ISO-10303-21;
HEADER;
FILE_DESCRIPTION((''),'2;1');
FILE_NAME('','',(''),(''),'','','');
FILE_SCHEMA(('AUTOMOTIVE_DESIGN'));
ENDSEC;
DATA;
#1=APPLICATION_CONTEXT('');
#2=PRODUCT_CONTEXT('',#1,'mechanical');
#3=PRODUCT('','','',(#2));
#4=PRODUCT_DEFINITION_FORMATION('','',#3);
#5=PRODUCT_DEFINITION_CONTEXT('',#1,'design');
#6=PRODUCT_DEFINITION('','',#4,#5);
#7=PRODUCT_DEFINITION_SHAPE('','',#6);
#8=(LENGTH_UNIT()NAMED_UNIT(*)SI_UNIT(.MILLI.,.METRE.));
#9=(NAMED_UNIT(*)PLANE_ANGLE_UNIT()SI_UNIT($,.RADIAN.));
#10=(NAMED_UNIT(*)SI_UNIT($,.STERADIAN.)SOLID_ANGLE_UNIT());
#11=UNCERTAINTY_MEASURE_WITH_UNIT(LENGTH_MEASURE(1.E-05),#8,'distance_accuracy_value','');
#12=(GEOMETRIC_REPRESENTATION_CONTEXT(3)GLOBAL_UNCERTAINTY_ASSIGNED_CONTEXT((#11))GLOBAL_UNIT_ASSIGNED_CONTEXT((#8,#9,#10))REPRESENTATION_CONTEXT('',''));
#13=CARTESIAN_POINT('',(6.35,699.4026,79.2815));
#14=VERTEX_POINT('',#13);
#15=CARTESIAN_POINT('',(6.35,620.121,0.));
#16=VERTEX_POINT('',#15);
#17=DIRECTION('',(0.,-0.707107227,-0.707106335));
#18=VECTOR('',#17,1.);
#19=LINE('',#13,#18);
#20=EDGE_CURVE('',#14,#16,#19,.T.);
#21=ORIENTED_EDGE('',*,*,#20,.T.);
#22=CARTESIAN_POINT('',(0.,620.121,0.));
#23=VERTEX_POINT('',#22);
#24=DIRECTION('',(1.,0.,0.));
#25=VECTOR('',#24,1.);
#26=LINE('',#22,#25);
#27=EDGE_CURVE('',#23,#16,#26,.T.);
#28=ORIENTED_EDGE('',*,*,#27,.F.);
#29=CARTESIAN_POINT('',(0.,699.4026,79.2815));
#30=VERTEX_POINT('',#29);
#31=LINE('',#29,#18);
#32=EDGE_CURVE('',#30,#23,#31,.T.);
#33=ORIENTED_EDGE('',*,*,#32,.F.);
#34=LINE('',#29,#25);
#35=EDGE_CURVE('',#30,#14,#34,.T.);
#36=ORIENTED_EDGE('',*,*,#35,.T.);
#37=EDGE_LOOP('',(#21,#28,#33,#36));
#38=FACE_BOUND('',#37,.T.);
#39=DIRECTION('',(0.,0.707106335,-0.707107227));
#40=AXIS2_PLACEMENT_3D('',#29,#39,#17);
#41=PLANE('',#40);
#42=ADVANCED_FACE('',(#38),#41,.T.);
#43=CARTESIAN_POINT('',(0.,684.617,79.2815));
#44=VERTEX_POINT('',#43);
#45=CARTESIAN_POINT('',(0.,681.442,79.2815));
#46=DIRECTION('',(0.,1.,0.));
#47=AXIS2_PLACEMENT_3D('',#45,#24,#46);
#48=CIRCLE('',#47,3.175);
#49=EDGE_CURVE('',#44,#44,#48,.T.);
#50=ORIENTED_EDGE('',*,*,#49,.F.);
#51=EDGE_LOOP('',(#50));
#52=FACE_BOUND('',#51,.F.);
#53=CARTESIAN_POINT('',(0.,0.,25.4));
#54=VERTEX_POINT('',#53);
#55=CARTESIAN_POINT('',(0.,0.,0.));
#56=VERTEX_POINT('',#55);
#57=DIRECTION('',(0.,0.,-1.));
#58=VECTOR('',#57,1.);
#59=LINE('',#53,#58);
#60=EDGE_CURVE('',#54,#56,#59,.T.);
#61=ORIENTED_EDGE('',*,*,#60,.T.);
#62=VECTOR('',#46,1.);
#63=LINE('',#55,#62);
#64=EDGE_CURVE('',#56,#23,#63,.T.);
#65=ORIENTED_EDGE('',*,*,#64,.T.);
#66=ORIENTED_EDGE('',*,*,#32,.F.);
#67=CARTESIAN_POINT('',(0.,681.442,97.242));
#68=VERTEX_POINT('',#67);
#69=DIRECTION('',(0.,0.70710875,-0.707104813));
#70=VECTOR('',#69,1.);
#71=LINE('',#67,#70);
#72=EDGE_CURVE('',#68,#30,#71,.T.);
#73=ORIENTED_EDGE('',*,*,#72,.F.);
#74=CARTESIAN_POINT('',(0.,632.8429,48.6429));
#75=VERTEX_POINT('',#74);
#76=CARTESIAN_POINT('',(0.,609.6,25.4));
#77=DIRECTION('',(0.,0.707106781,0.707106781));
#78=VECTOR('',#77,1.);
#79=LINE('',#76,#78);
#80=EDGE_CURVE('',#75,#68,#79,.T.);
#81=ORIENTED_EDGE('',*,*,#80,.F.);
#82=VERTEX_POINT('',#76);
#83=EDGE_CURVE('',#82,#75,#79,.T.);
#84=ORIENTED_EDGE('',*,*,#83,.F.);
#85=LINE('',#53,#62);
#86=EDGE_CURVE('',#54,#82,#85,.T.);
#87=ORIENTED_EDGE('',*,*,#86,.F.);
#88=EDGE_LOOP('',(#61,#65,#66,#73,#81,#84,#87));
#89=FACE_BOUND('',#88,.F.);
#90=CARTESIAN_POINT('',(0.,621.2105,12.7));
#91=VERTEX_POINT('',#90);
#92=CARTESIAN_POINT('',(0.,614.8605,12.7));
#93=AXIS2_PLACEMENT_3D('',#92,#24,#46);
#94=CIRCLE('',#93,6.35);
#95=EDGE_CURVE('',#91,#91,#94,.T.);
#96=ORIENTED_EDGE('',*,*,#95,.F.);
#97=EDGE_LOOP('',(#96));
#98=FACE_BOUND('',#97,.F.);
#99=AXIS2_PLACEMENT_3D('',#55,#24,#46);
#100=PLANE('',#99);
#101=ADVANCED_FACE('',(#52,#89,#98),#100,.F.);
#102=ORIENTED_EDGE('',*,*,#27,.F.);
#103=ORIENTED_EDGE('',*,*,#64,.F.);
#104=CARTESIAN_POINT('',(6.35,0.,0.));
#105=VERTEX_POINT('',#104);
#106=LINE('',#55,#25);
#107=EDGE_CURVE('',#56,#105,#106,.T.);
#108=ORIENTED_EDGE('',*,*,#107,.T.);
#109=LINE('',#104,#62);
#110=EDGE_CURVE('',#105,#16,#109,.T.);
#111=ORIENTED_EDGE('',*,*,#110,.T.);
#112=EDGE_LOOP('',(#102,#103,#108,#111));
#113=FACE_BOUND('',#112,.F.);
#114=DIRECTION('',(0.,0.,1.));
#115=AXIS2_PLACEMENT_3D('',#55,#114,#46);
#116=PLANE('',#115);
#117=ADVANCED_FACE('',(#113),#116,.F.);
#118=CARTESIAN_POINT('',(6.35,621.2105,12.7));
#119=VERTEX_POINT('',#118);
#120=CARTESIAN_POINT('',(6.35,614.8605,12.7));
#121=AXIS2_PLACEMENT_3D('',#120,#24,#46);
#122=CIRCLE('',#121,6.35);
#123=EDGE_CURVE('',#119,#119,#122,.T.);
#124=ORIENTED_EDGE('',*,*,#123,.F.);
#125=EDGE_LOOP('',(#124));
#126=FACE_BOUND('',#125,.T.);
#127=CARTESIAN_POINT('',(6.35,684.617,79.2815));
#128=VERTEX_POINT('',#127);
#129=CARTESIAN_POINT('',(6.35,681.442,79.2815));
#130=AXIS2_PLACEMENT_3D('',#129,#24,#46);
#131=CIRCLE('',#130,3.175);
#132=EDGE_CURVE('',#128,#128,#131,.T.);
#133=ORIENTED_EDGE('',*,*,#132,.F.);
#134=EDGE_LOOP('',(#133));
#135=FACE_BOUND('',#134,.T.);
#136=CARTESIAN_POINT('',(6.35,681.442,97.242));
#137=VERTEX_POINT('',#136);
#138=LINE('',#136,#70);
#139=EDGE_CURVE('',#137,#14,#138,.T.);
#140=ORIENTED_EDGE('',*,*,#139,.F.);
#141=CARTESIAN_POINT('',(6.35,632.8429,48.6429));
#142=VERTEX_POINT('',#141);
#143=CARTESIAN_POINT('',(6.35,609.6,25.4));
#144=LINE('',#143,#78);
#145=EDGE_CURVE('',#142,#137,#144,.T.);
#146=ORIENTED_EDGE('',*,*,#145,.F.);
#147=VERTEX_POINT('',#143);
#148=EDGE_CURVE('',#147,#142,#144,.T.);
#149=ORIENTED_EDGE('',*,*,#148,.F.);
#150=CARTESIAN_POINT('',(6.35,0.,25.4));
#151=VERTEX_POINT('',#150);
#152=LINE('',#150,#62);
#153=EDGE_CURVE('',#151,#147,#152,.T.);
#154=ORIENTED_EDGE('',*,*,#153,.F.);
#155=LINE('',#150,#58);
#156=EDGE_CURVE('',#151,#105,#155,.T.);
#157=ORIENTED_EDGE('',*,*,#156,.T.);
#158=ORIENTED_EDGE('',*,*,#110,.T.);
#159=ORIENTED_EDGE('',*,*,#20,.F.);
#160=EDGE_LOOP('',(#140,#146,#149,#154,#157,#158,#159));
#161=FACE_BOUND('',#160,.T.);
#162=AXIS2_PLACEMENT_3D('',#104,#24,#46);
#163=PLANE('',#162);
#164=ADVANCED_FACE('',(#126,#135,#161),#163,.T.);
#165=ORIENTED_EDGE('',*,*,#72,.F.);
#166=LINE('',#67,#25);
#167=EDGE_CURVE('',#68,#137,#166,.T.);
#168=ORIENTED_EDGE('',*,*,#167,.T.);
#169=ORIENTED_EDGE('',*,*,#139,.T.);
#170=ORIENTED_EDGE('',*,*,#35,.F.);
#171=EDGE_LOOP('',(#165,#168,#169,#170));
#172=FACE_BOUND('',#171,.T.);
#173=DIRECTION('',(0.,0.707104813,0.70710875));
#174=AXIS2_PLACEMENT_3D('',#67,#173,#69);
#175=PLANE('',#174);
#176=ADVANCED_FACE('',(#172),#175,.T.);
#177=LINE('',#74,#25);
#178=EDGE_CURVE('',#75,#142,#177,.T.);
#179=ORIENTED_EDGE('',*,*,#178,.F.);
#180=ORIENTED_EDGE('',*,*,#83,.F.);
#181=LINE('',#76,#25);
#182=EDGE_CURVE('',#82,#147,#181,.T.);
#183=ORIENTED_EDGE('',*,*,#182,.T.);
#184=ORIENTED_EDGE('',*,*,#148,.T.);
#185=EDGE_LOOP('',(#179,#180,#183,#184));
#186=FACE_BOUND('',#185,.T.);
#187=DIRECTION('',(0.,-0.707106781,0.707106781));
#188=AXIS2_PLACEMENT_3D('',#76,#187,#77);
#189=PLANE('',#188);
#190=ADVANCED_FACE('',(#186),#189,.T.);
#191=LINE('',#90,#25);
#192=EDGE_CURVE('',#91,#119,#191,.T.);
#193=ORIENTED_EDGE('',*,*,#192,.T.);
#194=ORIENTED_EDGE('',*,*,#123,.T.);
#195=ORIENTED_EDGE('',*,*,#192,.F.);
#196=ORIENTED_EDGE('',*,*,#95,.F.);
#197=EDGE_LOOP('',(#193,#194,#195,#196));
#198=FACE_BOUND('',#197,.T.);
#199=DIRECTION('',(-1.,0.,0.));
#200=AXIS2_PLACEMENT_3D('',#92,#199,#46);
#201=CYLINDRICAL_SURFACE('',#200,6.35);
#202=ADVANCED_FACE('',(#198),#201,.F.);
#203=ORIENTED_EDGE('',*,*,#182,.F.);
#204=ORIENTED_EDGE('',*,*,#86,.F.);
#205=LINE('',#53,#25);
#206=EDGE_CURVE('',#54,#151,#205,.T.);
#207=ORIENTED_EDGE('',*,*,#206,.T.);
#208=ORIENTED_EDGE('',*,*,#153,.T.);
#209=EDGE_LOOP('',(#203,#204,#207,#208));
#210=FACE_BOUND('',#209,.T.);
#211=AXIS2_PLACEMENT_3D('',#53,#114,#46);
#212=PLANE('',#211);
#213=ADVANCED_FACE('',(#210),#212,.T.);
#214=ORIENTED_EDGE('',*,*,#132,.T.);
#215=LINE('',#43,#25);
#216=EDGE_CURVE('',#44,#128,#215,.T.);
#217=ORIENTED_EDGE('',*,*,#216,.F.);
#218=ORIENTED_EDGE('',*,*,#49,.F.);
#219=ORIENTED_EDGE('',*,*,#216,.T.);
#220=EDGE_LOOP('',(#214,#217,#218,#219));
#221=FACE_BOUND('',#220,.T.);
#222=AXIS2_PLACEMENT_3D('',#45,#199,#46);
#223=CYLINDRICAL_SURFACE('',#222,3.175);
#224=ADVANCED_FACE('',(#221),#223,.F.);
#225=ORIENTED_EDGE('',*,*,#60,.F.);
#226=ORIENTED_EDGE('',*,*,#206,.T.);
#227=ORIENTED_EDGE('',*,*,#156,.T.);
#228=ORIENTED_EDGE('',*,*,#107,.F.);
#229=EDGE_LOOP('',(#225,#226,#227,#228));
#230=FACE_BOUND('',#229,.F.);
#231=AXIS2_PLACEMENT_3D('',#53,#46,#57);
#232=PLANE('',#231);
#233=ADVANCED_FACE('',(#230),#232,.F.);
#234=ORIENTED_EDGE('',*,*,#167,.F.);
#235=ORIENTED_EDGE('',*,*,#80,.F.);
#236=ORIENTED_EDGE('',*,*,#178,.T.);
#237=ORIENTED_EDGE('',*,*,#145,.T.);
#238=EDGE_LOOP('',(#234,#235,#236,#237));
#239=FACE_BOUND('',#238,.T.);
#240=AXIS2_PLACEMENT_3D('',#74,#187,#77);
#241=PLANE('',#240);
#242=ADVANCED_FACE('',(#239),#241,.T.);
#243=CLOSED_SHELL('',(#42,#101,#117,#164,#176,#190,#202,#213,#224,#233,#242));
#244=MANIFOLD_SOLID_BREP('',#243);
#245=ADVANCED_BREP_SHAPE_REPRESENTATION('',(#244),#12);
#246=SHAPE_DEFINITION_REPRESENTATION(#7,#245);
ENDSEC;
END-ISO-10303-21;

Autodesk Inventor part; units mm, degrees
ref_plane "YZ Plane" through (0, 0, 0) normal (1, 0, 0) x (0, 1, 0)
ref_plane "XZ Plane" through (0, 0, 0) normal (0, 1, 0) x (-1, 0, 0)
ref_plane "XY Plane" through (0, 0, 0) normal (0, 0, 1) x (1, 0, 0)
sketch "Sketch1" plane through (0, 0, 0) normal (1, 0, 0) x (0, 1, 0)
  line L0 (0, 25.4) -> (0, 0)
  line L1 (0, 25.4) -> (609.6, 25.4)
  line L2 (609.6, 25.4) -> (681.442, 97.242)
  line L3 (681.442, 97.242) -> (632.8429, 48.6429)
  line L4 (681.442, 97.242) -> (699.4026, 79.2815)
  line L5 (699.4026, 79.2815) -> (620.121, 0)
  line L6 (0, 0) -> (620.121, 0)
  line L7 (609.6, 25.4) -> (620.121, 0) construction
  circle A0 centre (614.8605, 12.7) radius 6.35
  circle A1 centre (681.442, 79.2815) radius 3.175
  dimension "d0" = 25.4
  dimension "d7" = 609.6
  dimension "d8" = 101.6
  dimension "d9" = 135
  dimension "d10" = 25.4
  dimension "d11" = 12.7
  dimension "d12" = 6.35
  dimension "d13" = 12.7
  dimension "d14" = 12.7
extrude "Extrusion1" add sketch "Sketch1" along normal blind 6.35
properties part number "Cart Handle"
